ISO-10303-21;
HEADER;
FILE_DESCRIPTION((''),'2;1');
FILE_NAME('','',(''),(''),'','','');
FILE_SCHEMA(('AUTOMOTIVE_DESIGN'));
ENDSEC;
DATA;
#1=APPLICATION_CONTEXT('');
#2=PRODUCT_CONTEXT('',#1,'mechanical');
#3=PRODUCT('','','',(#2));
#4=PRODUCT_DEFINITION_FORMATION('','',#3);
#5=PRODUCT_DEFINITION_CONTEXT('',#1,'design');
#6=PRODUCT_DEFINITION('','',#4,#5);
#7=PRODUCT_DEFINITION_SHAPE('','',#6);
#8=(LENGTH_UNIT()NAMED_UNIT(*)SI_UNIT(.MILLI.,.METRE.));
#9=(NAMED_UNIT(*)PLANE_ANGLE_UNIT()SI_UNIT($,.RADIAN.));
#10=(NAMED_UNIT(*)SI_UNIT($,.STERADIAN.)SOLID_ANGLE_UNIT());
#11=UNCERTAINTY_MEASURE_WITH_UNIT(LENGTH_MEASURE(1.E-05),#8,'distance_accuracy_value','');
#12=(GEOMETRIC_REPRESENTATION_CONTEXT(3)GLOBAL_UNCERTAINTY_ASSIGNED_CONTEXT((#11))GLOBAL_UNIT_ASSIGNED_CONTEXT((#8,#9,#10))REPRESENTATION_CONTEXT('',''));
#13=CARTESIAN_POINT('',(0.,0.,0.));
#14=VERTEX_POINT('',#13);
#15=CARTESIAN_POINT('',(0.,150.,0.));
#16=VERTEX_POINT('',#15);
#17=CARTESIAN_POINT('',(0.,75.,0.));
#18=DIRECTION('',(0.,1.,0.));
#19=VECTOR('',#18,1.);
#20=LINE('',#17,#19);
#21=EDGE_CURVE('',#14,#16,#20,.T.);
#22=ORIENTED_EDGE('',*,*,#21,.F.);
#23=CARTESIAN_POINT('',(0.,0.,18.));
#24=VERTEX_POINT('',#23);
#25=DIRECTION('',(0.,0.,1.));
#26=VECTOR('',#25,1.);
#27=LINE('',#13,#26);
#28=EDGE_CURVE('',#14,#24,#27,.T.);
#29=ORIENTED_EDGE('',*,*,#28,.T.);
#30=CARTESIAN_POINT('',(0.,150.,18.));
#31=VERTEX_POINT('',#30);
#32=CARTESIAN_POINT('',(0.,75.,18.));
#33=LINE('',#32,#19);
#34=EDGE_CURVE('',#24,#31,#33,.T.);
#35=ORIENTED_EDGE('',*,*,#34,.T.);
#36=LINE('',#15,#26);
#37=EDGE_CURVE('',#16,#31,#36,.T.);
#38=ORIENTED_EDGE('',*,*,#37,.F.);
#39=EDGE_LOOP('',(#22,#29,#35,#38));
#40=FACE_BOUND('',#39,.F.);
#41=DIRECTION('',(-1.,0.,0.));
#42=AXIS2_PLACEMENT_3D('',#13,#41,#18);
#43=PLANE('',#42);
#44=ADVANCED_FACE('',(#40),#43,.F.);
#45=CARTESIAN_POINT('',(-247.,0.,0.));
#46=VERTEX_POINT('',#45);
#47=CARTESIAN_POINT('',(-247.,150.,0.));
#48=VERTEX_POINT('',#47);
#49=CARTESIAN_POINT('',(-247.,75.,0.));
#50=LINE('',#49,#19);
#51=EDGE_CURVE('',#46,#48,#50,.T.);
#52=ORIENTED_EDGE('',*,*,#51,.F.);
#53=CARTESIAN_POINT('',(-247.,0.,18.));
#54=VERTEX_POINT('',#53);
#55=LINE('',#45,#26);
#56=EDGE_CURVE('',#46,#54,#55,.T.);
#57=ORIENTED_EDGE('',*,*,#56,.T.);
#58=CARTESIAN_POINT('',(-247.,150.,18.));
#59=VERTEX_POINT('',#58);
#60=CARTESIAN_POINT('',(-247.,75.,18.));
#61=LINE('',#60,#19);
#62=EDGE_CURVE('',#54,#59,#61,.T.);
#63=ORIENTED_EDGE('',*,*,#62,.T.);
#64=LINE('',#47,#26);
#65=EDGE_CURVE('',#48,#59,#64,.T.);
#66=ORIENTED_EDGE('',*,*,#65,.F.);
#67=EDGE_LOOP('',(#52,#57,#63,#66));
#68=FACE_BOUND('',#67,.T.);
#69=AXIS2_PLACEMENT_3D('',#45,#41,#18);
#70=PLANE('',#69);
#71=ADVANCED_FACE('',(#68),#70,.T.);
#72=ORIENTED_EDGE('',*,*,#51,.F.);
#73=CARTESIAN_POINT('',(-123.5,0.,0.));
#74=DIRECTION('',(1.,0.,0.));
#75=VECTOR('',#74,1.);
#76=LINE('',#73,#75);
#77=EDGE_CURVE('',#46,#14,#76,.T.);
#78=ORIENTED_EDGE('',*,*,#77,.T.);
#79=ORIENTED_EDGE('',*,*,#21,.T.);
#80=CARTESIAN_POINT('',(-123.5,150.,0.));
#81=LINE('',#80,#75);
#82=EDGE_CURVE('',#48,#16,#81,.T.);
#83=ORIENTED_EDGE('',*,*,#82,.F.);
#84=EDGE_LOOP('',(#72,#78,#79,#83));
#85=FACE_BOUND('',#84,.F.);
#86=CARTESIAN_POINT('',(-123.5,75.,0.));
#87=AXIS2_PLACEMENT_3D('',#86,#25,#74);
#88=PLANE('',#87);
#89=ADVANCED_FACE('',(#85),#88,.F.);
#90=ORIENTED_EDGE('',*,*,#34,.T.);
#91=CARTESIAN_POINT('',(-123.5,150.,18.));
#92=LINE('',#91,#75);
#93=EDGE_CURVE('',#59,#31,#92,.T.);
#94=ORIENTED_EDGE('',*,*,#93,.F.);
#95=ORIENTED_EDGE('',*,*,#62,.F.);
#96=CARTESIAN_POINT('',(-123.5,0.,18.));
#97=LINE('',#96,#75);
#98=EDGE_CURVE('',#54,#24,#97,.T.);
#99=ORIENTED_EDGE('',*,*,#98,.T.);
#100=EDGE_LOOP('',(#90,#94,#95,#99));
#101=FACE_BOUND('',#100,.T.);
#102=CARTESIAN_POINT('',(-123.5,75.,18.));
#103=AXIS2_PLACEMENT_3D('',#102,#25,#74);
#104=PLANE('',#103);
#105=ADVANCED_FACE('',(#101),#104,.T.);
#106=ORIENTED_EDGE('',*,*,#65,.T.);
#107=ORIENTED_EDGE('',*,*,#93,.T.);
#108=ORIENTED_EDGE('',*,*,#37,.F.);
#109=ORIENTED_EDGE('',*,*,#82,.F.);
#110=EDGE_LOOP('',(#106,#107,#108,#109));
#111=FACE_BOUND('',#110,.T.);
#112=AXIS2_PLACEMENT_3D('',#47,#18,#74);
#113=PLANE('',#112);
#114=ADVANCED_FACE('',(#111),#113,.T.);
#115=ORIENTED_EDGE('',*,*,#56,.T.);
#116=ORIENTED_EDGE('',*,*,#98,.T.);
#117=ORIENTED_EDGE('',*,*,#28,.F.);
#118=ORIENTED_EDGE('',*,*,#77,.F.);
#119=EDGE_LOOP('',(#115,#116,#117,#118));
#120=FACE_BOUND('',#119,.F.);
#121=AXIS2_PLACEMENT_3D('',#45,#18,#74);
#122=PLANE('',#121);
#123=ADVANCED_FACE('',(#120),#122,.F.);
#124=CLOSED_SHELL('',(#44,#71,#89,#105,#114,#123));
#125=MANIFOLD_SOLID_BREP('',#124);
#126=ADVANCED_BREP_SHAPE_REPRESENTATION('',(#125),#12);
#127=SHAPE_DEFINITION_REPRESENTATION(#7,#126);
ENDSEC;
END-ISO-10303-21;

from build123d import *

# Parameters (mm, degrees)
SKETCH_W  = 247
SKETCH_H  = 150
PAD_DEPTH = 18


with BuildPart() as part:
    # Sketch → Pad (new body)
    with BuildSketch(Plane.XY):
        with Locations((-123.5, 75)):
            Rectangle(SKETCH_W, SKETCH_H)
    extrude(amount=PAD_DEPTH)


solid = part.part
